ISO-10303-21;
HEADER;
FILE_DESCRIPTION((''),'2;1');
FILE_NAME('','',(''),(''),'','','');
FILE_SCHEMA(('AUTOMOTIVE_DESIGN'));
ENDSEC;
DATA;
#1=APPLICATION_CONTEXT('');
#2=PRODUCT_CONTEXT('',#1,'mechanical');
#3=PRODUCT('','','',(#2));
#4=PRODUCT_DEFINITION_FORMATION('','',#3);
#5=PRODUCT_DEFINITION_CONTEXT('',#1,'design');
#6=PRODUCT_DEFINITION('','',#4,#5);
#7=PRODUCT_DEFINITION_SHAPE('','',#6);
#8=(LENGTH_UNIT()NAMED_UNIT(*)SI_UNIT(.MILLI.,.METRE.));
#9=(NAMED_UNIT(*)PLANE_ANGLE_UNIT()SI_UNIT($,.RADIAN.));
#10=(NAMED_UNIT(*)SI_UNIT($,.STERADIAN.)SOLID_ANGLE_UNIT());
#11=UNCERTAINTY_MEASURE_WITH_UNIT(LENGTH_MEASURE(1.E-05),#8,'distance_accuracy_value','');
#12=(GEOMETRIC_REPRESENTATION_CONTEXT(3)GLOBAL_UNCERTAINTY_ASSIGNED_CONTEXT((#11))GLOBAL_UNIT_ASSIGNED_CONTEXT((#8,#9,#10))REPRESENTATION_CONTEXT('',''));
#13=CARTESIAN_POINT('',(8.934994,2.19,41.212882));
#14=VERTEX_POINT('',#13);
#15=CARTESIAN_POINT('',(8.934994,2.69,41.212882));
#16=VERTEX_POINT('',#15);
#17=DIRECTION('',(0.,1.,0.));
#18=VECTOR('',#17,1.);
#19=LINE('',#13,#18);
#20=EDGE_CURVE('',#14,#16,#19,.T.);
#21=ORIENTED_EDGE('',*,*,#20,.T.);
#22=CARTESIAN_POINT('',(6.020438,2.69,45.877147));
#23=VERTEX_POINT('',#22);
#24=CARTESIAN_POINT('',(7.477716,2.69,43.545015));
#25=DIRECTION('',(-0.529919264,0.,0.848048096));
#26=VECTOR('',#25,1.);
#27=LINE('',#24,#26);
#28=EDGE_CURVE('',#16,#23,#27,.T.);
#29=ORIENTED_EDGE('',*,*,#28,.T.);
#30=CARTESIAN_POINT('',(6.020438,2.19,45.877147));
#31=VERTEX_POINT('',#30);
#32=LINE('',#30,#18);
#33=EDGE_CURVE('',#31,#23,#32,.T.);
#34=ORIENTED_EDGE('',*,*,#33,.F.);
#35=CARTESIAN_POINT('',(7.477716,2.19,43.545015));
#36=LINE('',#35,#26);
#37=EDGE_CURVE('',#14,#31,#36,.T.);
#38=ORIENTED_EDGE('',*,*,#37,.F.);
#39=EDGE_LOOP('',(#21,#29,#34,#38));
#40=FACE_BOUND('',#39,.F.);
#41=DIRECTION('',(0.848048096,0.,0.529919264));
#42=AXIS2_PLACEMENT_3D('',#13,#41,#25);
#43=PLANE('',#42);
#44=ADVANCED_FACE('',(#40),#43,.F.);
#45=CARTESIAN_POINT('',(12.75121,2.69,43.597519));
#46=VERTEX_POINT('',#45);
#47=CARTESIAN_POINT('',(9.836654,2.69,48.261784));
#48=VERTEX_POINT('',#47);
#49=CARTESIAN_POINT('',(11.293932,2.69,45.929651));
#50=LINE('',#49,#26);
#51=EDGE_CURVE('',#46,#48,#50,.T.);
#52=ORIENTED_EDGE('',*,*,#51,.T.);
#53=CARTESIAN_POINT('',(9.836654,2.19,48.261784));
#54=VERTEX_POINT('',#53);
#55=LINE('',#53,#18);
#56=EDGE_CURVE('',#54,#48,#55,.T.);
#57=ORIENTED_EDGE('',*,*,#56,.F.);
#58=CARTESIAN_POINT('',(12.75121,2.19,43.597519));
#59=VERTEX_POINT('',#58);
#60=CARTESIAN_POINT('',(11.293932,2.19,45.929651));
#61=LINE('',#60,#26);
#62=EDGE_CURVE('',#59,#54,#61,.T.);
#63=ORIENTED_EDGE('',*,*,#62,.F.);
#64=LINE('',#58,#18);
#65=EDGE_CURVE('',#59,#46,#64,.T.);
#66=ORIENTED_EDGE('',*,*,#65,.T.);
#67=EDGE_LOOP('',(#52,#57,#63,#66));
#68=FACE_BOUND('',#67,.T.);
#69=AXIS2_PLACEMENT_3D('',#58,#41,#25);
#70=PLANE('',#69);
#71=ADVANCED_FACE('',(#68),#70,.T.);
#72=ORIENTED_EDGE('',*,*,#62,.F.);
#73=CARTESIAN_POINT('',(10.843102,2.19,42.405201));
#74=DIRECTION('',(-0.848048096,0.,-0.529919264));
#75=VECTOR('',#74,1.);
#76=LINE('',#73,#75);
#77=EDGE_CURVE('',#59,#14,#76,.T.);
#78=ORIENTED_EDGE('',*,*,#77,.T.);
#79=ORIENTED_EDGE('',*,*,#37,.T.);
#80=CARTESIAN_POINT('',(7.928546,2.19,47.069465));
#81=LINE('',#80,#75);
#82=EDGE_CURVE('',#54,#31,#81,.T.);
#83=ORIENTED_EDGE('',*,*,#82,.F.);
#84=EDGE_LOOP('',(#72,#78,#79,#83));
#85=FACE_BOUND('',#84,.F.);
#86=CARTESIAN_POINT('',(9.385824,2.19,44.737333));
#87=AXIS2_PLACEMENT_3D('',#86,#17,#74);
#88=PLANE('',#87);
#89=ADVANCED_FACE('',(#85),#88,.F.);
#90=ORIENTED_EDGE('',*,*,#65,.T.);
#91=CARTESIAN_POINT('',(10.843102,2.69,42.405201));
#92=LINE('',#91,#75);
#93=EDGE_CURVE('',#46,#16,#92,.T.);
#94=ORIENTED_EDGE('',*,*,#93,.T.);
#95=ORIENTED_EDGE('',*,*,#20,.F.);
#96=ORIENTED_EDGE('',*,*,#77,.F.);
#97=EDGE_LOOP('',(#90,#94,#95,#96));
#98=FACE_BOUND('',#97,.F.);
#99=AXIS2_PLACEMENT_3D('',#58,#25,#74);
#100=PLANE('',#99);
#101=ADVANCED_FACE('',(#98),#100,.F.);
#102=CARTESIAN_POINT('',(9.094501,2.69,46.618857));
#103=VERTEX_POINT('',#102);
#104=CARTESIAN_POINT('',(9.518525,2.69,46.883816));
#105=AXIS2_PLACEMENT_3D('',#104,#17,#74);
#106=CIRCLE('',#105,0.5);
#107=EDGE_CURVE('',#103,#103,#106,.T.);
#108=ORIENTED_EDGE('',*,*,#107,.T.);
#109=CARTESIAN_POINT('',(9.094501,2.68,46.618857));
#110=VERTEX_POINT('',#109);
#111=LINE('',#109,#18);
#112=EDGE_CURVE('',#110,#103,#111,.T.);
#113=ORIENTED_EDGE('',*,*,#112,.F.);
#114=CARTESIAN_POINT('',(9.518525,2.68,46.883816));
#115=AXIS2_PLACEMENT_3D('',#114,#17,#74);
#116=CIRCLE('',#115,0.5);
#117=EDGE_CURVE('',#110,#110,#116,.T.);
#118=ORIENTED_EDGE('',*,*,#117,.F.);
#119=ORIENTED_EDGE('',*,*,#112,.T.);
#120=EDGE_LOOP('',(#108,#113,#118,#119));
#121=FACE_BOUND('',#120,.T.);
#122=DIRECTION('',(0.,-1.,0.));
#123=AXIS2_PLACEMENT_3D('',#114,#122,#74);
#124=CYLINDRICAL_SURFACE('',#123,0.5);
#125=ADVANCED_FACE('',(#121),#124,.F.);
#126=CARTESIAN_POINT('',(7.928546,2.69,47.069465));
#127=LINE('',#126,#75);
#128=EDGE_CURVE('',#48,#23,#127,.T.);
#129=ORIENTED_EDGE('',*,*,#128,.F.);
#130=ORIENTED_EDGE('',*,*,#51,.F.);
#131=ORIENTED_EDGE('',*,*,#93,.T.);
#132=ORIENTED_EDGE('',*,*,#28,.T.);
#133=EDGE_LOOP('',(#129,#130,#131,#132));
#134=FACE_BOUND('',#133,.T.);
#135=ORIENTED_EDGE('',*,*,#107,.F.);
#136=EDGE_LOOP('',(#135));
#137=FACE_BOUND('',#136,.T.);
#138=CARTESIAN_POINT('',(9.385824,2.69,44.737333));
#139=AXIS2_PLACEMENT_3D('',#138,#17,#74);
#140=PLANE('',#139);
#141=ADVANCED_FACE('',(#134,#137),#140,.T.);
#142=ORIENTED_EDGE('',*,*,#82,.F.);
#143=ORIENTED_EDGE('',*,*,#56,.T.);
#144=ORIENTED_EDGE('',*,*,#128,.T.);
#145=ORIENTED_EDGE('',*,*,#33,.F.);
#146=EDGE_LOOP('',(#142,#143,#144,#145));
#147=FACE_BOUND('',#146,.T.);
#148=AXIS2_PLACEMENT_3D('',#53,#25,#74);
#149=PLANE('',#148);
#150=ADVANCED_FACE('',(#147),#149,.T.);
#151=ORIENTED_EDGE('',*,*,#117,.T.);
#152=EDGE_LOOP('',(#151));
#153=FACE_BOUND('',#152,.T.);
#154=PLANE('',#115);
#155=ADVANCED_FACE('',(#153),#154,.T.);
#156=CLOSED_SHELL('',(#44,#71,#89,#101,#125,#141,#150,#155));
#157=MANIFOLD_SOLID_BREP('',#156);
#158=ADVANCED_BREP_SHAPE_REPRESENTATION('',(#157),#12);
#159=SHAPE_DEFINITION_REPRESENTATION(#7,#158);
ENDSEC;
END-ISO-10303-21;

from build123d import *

# Parameters (mm, degrees)
CYLINDER072_R          = 0.5
CYLINDER072_DEPTH      = 0.01
BOX159_W               = 4.5
BOX159_H               = 5.5
BOX159_DEPTH           = 0.5
CUT077_ROLL_ANGLE      = 90
CUT077_PITCH_ANGLE     = 32
CUT077_PLACEMENT_ANGLE = -180


with BuildPart() as cylinder072:
    # Cylinder072 → Cylinder072 (new body)
    with BuildSketch(Plane(origin=(1, 4.5, 0.49), x_dir=(1, 0, 0), z_dir=(0, 0, 1))):
        Circle(CYLINDER072_R)
    extrude(amount=CYLINDER072_DEPTH)


with BuildPart() as small_linbo3_plate073:
    # Box159 → Box159 (new body)
    with BuildSketch(Plane.XY):
        with Locations((2.25, 2.75)):
            Rectangle(BOX159_W, BOX159_H)
    extrude(amount=BOX159_DEPTH)

    # Cut077: cut Cylinder072
    add(cylinder072.part, mode=Mode.SUBTRACT)


with BuildPart() as small_linbo3_plate073_1:
    # Cut077 roll: moved
    add(small_linbo3_plate073.part.rotate(Axis((0, 0, 0), (1, 0, 0)), CUT077_ROLL_ANGLE))


with BuildPart() as small_linbo3_plate073_2:
    # Cut077 pitch: moved
    add(small_linbo3_plate073_1.part.rotate(Axis((0, 0, 0), (0, 1, 0)), CUT077_PITCH_ANGLE))


with BuildPart() as small_linbo3_plate073_3:
    # Cut077 placement: moved
    add(small_linbo3_plate073_2.part.moved(Location((12.75121, 2.19, 43.597519))).rotate(Axis((12.75121, 2.19, 43.597519), (0, 0, 1)), CUT077_PLACEMENT_ANGLE))


solid = small_linbo3_plate073_3.part
